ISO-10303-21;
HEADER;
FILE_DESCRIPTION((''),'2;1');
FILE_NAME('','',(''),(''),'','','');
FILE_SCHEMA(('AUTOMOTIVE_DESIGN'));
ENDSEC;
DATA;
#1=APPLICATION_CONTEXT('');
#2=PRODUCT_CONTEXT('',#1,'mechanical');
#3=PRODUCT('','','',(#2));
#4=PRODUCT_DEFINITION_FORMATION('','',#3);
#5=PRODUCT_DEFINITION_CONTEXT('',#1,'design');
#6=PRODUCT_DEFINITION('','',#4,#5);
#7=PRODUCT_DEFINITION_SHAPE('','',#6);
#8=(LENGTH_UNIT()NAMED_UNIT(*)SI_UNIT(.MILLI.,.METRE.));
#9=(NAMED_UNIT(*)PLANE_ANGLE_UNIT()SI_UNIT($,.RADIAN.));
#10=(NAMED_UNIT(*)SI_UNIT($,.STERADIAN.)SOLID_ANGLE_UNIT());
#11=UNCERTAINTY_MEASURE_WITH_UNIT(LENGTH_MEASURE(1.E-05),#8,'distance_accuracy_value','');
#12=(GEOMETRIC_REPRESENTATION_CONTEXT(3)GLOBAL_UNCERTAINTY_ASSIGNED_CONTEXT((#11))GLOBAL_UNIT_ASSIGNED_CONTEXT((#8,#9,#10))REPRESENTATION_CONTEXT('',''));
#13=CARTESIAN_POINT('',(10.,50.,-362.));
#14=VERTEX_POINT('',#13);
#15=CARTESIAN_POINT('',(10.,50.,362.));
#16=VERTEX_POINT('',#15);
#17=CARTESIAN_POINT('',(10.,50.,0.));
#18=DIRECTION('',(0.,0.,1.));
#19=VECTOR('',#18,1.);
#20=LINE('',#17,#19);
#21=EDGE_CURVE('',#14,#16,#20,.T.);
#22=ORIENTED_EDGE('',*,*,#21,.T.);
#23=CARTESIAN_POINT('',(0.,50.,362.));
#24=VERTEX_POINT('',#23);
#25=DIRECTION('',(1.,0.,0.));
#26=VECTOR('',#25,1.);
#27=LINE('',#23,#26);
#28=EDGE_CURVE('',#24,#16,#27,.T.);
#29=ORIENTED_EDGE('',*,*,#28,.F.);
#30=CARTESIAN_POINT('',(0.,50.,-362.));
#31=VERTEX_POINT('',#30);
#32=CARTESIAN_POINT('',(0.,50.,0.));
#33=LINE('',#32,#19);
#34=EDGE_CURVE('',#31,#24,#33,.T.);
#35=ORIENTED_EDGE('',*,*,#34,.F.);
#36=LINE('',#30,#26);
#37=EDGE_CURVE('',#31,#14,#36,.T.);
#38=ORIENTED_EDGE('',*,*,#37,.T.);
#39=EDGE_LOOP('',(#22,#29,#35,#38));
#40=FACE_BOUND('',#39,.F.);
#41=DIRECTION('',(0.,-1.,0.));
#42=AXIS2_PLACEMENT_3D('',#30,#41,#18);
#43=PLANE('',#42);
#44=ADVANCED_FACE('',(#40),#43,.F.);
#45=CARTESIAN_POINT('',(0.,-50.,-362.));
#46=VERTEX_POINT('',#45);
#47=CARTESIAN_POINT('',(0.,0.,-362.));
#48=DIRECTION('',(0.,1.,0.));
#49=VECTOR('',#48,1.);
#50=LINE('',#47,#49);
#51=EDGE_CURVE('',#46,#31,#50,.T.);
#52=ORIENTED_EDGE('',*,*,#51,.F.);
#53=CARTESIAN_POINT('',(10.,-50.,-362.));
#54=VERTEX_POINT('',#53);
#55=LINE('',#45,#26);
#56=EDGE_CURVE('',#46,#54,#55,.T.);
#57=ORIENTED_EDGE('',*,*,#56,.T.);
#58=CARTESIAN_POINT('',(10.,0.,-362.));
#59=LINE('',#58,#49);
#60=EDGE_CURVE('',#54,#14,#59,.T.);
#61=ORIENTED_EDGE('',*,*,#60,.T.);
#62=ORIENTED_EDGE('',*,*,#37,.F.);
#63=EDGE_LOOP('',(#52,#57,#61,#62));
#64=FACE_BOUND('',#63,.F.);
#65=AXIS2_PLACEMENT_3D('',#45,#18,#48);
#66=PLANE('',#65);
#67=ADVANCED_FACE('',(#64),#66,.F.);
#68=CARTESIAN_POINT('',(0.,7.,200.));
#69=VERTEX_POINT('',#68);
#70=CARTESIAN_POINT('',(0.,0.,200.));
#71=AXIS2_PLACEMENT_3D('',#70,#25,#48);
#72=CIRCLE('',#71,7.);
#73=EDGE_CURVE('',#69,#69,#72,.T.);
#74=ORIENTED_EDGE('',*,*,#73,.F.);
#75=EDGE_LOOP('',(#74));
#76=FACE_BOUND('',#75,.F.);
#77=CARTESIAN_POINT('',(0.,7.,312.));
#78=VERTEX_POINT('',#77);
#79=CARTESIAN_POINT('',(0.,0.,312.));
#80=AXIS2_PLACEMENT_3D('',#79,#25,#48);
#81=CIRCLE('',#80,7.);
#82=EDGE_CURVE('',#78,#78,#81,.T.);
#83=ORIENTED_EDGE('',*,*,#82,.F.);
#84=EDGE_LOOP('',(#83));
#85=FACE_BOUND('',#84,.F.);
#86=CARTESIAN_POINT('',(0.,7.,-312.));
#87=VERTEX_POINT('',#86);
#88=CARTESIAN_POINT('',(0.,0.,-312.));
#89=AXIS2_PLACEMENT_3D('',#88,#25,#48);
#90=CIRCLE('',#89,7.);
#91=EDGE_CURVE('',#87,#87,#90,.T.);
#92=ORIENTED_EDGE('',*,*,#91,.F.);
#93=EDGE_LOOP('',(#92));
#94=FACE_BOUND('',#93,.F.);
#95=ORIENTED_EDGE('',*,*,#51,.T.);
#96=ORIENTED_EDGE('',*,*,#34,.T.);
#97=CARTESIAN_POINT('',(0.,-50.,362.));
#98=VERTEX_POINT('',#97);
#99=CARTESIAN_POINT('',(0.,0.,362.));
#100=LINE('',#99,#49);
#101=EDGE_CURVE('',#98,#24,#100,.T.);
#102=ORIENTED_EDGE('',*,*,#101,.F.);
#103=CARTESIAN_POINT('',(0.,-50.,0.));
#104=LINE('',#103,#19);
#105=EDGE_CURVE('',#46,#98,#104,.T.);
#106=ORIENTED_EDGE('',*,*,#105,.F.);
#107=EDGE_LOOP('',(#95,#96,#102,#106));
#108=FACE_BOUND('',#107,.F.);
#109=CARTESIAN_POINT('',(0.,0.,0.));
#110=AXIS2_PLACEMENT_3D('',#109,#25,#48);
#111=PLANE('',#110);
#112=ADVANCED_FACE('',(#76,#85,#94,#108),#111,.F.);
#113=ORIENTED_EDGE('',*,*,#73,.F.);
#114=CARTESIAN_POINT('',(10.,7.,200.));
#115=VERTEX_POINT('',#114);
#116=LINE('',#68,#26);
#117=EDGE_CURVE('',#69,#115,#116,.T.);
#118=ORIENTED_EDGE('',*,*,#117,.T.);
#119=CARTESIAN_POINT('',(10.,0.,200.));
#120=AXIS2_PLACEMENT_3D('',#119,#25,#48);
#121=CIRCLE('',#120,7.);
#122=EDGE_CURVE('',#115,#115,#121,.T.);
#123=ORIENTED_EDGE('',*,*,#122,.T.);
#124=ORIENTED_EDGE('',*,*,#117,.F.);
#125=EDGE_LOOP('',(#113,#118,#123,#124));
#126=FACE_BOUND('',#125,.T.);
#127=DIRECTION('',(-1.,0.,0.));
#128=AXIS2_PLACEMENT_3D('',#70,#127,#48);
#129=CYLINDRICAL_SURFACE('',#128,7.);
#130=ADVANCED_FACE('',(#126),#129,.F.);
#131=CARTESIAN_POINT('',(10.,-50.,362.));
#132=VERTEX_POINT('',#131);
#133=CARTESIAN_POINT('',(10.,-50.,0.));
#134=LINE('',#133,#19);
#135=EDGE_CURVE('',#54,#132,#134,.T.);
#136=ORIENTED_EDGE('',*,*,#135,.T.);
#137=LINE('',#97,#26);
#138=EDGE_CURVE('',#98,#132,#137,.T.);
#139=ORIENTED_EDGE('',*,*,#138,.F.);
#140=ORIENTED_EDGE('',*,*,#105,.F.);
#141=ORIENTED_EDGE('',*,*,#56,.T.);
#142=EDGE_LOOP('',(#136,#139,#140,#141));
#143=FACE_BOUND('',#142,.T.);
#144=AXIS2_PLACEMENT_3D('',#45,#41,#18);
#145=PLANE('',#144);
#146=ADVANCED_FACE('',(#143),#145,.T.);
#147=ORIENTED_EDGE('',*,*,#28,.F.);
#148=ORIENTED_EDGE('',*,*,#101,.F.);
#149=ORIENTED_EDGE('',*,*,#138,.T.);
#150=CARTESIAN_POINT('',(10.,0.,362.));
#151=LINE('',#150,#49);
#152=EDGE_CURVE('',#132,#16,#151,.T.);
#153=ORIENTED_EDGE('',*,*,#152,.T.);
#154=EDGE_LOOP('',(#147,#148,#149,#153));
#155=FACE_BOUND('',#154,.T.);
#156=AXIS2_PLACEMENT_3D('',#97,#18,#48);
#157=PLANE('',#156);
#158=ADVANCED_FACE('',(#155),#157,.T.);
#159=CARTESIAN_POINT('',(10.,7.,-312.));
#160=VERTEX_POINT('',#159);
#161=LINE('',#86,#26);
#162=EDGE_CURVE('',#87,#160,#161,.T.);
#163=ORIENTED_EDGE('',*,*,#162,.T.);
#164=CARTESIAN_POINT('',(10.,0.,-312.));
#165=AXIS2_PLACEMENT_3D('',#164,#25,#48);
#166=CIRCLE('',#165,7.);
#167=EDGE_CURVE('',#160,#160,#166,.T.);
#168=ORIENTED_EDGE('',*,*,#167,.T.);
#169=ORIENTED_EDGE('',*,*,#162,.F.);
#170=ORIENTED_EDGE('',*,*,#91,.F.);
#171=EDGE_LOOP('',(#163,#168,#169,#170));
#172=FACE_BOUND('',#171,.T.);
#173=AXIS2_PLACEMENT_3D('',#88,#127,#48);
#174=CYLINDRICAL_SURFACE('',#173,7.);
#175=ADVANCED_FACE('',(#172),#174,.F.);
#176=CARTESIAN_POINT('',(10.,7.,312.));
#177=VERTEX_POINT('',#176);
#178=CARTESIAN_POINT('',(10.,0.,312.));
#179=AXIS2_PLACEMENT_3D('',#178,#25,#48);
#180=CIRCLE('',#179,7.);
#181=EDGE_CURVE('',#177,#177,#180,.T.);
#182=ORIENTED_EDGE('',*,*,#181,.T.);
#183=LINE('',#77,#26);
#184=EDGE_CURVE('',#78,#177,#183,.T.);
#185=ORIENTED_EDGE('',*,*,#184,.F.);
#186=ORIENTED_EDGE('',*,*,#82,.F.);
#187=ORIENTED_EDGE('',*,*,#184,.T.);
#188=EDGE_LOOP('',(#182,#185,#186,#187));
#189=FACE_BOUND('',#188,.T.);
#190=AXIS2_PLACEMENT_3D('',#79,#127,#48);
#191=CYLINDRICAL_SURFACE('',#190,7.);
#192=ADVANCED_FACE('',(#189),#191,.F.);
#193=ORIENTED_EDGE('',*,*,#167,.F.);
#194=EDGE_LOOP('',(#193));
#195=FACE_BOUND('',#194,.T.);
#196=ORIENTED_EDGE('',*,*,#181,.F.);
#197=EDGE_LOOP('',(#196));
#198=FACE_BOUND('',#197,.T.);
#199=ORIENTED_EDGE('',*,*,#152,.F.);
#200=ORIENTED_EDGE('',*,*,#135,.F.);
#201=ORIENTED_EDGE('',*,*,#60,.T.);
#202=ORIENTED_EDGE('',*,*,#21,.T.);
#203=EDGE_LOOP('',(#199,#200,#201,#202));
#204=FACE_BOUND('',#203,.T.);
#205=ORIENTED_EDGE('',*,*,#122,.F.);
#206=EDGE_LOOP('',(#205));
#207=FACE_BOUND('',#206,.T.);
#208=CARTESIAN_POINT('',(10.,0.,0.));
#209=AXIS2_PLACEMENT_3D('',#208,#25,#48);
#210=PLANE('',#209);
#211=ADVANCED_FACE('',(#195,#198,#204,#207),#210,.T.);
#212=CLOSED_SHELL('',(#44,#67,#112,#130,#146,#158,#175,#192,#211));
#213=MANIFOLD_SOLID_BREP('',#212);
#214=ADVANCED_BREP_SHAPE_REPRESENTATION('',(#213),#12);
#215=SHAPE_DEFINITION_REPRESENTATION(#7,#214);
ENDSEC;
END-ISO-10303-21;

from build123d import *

# Parameters (mm, degrees)
F0_W     = 100
F0_H     = 724
F0_R     = 7
F1_DEPTH = 10


with BuildPart() as f1:
    # F0 (on Right) → F1 (new body)
    with BuildSketch(Plane.YZ):
        Rectangle(F0_W, F0_H)
        with Locations((0, -312)):
            Circle(F0_R, mode=Mode.SUBTRACT)
        with Locations((0, 200)):
            Circle(F0_R, mode=Mode.SUBTRACT)
        with Locations((0, 312)):
            Circle(F0_R, mode=Mode.SUBTRACT)
    extrude(amount=F1_DEPTH)


solid = f1.part
